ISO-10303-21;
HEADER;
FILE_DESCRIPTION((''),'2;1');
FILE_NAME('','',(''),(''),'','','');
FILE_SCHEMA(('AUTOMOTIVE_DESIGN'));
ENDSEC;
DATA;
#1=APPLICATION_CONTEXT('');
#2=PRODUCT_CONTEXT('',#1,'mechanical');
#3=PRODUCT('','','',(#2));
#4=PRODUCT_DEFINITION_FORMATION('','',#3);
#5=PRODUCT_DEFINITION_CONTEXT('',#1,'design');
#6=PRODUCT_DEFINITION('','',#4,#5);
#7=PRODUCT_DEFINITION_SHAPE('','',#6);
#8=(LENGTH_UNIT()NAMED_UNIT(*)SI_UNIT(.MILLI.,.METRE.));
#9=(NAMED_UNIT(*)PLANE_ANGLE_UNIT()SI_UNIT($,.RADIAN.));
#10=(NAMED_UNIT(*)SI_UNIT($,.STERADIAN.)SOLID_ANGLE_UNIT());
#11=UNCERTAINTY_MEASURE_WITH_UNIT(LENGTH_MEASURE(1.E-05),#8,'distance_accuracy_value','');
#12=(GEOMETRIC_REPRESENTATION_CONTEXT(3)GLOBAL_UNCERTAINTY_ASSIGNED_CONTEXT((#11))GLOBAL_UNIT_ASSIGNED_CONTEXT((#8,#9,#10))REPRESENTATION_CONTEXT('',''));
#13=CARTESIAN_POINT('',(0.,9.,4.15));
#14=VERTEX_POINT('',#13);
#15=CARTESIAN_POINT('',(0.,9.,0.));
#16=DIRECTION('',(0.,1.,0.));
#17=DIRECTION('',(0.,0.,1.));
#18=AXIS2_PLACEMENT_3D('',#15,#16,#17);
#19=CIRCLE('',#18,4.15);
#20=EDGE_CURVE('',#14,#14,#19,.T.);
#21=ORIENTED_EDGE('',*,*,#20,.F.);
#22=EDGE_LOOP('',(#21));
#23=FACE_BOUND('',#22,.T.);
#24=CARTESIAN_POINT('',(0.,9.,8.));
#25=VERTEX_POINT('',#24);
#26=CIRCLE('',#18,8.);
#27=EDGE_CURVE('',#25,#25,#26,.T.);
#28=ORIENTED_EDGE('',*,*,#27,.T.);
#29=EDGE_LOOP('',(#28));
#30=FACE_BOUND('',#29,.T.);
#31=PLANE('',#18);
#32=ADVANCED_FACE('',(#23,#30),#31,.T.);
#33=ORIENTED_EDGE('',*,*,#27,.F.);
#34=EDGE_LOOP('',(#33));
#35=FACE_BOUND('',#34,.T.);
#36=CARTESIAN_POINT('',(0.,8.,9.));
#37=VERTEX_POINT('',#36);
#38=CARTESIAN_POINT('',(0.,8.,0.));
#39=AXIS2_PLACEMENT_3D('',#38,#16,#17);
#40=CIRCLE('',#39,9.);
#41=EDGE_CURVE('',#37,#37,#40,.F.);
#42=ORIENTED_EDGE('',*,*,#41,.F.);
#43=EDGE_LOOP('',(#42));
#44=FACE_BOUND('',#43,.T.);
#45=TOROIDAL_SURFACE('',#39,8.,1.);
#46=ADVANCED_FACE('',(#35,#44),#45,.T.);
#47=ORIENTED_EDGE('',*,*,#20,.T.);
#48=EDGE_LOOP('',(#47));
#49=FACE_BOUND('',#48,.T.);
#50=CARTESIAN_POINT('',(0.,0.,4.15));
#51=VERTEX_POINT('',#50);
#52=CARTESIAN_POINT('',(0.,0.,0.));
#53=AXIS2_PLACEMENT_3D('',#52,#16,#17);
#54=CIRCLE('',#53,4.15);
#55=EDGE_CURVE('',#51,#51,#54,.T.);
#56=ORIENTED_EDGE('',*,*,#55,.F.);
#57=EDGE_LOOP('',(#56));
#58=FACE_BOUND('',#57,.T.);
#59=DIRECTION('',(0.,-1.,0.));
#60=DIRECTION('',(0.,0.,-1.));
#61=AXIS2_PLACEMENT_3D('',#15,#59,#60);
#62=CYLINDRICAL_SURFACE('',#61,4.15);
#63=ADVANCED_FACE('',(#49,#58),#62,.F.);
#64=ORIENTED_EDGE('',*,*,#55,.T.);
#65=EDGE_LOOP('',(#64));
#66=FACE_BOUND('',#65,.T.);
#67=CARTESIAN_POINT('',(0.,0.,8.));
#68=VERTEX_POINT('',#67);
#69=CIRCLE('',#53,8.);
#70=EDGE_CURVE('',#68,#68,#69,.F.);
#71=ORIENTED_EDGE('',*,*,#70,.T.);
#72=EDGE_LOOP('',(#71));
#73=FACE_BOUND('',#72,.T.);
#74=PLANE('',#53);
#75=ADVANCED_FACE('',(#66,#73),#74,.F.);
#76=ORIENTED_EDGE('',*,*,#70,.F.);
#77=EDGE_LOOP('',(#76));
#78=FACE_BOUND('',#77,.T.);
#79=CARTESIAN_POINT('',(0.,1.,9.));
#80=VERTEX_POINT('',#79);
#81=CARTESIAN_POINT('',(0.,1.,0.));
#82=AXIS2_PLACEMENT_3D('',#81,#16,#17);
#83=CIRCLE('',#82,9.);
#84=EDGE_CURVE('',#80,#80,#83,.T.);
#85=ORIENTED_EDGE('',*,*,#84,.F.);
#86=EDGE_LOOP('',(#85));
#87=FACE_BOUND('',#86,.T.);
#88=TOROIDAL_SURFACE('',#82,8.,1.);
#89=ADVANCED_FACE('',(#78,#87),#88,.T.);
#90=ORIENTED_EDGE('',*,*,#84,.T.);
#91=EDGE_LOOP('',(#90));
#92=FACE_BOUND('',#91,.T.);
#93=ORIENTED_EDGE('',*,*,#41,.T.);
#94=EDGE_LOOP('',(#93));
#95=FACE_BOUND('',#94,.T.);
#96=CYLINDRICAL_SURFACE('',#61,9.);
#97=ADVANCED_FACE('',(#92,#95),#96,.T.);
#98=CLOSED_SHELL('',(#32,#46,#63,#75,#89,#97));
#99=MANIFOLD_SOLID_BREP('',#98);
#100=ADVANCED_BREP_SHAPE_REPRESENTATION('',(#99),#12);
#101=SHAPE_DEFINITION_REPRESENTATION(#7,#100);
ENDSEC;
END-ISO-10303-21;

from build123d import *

# Parameters (mm, degrees)
SKETCH_1_R      = 9
SKETCH_1_R_2    = 4.15
EXTRUDE_1_DEPTH = 9
FILLET_1_R      = 1


with BuildPart() as part:
    # 草图1 → 凸台-拉伸1 (new body)
    with BuildSketch(Plane(origin=(0, 0, 0), x_dir=(1, 0, 0), z_dir=(0, 1, 0))):
        with Locations(Location((0, 0, 0), (0, 0, 270))):
            Circle(SKETCH_1_R)
        with Locations(Location((0, 0, 0), (0, 0, 270))):
            Circle(SKETCH_1_R_2, mode=Mode.SUBTRACT)
    extrude(amount=EXTRUDE_1_DEPTH)

    # 圆角1
    fillet_1_edges = [part.edges().sort_by_distance(p)[0] for p in [
        (0, 0, -9),
        (0, 9, -9),
    ]]
    fillet(fillet_1_edges, radius=FILLET_1_R)


solid = part.part
